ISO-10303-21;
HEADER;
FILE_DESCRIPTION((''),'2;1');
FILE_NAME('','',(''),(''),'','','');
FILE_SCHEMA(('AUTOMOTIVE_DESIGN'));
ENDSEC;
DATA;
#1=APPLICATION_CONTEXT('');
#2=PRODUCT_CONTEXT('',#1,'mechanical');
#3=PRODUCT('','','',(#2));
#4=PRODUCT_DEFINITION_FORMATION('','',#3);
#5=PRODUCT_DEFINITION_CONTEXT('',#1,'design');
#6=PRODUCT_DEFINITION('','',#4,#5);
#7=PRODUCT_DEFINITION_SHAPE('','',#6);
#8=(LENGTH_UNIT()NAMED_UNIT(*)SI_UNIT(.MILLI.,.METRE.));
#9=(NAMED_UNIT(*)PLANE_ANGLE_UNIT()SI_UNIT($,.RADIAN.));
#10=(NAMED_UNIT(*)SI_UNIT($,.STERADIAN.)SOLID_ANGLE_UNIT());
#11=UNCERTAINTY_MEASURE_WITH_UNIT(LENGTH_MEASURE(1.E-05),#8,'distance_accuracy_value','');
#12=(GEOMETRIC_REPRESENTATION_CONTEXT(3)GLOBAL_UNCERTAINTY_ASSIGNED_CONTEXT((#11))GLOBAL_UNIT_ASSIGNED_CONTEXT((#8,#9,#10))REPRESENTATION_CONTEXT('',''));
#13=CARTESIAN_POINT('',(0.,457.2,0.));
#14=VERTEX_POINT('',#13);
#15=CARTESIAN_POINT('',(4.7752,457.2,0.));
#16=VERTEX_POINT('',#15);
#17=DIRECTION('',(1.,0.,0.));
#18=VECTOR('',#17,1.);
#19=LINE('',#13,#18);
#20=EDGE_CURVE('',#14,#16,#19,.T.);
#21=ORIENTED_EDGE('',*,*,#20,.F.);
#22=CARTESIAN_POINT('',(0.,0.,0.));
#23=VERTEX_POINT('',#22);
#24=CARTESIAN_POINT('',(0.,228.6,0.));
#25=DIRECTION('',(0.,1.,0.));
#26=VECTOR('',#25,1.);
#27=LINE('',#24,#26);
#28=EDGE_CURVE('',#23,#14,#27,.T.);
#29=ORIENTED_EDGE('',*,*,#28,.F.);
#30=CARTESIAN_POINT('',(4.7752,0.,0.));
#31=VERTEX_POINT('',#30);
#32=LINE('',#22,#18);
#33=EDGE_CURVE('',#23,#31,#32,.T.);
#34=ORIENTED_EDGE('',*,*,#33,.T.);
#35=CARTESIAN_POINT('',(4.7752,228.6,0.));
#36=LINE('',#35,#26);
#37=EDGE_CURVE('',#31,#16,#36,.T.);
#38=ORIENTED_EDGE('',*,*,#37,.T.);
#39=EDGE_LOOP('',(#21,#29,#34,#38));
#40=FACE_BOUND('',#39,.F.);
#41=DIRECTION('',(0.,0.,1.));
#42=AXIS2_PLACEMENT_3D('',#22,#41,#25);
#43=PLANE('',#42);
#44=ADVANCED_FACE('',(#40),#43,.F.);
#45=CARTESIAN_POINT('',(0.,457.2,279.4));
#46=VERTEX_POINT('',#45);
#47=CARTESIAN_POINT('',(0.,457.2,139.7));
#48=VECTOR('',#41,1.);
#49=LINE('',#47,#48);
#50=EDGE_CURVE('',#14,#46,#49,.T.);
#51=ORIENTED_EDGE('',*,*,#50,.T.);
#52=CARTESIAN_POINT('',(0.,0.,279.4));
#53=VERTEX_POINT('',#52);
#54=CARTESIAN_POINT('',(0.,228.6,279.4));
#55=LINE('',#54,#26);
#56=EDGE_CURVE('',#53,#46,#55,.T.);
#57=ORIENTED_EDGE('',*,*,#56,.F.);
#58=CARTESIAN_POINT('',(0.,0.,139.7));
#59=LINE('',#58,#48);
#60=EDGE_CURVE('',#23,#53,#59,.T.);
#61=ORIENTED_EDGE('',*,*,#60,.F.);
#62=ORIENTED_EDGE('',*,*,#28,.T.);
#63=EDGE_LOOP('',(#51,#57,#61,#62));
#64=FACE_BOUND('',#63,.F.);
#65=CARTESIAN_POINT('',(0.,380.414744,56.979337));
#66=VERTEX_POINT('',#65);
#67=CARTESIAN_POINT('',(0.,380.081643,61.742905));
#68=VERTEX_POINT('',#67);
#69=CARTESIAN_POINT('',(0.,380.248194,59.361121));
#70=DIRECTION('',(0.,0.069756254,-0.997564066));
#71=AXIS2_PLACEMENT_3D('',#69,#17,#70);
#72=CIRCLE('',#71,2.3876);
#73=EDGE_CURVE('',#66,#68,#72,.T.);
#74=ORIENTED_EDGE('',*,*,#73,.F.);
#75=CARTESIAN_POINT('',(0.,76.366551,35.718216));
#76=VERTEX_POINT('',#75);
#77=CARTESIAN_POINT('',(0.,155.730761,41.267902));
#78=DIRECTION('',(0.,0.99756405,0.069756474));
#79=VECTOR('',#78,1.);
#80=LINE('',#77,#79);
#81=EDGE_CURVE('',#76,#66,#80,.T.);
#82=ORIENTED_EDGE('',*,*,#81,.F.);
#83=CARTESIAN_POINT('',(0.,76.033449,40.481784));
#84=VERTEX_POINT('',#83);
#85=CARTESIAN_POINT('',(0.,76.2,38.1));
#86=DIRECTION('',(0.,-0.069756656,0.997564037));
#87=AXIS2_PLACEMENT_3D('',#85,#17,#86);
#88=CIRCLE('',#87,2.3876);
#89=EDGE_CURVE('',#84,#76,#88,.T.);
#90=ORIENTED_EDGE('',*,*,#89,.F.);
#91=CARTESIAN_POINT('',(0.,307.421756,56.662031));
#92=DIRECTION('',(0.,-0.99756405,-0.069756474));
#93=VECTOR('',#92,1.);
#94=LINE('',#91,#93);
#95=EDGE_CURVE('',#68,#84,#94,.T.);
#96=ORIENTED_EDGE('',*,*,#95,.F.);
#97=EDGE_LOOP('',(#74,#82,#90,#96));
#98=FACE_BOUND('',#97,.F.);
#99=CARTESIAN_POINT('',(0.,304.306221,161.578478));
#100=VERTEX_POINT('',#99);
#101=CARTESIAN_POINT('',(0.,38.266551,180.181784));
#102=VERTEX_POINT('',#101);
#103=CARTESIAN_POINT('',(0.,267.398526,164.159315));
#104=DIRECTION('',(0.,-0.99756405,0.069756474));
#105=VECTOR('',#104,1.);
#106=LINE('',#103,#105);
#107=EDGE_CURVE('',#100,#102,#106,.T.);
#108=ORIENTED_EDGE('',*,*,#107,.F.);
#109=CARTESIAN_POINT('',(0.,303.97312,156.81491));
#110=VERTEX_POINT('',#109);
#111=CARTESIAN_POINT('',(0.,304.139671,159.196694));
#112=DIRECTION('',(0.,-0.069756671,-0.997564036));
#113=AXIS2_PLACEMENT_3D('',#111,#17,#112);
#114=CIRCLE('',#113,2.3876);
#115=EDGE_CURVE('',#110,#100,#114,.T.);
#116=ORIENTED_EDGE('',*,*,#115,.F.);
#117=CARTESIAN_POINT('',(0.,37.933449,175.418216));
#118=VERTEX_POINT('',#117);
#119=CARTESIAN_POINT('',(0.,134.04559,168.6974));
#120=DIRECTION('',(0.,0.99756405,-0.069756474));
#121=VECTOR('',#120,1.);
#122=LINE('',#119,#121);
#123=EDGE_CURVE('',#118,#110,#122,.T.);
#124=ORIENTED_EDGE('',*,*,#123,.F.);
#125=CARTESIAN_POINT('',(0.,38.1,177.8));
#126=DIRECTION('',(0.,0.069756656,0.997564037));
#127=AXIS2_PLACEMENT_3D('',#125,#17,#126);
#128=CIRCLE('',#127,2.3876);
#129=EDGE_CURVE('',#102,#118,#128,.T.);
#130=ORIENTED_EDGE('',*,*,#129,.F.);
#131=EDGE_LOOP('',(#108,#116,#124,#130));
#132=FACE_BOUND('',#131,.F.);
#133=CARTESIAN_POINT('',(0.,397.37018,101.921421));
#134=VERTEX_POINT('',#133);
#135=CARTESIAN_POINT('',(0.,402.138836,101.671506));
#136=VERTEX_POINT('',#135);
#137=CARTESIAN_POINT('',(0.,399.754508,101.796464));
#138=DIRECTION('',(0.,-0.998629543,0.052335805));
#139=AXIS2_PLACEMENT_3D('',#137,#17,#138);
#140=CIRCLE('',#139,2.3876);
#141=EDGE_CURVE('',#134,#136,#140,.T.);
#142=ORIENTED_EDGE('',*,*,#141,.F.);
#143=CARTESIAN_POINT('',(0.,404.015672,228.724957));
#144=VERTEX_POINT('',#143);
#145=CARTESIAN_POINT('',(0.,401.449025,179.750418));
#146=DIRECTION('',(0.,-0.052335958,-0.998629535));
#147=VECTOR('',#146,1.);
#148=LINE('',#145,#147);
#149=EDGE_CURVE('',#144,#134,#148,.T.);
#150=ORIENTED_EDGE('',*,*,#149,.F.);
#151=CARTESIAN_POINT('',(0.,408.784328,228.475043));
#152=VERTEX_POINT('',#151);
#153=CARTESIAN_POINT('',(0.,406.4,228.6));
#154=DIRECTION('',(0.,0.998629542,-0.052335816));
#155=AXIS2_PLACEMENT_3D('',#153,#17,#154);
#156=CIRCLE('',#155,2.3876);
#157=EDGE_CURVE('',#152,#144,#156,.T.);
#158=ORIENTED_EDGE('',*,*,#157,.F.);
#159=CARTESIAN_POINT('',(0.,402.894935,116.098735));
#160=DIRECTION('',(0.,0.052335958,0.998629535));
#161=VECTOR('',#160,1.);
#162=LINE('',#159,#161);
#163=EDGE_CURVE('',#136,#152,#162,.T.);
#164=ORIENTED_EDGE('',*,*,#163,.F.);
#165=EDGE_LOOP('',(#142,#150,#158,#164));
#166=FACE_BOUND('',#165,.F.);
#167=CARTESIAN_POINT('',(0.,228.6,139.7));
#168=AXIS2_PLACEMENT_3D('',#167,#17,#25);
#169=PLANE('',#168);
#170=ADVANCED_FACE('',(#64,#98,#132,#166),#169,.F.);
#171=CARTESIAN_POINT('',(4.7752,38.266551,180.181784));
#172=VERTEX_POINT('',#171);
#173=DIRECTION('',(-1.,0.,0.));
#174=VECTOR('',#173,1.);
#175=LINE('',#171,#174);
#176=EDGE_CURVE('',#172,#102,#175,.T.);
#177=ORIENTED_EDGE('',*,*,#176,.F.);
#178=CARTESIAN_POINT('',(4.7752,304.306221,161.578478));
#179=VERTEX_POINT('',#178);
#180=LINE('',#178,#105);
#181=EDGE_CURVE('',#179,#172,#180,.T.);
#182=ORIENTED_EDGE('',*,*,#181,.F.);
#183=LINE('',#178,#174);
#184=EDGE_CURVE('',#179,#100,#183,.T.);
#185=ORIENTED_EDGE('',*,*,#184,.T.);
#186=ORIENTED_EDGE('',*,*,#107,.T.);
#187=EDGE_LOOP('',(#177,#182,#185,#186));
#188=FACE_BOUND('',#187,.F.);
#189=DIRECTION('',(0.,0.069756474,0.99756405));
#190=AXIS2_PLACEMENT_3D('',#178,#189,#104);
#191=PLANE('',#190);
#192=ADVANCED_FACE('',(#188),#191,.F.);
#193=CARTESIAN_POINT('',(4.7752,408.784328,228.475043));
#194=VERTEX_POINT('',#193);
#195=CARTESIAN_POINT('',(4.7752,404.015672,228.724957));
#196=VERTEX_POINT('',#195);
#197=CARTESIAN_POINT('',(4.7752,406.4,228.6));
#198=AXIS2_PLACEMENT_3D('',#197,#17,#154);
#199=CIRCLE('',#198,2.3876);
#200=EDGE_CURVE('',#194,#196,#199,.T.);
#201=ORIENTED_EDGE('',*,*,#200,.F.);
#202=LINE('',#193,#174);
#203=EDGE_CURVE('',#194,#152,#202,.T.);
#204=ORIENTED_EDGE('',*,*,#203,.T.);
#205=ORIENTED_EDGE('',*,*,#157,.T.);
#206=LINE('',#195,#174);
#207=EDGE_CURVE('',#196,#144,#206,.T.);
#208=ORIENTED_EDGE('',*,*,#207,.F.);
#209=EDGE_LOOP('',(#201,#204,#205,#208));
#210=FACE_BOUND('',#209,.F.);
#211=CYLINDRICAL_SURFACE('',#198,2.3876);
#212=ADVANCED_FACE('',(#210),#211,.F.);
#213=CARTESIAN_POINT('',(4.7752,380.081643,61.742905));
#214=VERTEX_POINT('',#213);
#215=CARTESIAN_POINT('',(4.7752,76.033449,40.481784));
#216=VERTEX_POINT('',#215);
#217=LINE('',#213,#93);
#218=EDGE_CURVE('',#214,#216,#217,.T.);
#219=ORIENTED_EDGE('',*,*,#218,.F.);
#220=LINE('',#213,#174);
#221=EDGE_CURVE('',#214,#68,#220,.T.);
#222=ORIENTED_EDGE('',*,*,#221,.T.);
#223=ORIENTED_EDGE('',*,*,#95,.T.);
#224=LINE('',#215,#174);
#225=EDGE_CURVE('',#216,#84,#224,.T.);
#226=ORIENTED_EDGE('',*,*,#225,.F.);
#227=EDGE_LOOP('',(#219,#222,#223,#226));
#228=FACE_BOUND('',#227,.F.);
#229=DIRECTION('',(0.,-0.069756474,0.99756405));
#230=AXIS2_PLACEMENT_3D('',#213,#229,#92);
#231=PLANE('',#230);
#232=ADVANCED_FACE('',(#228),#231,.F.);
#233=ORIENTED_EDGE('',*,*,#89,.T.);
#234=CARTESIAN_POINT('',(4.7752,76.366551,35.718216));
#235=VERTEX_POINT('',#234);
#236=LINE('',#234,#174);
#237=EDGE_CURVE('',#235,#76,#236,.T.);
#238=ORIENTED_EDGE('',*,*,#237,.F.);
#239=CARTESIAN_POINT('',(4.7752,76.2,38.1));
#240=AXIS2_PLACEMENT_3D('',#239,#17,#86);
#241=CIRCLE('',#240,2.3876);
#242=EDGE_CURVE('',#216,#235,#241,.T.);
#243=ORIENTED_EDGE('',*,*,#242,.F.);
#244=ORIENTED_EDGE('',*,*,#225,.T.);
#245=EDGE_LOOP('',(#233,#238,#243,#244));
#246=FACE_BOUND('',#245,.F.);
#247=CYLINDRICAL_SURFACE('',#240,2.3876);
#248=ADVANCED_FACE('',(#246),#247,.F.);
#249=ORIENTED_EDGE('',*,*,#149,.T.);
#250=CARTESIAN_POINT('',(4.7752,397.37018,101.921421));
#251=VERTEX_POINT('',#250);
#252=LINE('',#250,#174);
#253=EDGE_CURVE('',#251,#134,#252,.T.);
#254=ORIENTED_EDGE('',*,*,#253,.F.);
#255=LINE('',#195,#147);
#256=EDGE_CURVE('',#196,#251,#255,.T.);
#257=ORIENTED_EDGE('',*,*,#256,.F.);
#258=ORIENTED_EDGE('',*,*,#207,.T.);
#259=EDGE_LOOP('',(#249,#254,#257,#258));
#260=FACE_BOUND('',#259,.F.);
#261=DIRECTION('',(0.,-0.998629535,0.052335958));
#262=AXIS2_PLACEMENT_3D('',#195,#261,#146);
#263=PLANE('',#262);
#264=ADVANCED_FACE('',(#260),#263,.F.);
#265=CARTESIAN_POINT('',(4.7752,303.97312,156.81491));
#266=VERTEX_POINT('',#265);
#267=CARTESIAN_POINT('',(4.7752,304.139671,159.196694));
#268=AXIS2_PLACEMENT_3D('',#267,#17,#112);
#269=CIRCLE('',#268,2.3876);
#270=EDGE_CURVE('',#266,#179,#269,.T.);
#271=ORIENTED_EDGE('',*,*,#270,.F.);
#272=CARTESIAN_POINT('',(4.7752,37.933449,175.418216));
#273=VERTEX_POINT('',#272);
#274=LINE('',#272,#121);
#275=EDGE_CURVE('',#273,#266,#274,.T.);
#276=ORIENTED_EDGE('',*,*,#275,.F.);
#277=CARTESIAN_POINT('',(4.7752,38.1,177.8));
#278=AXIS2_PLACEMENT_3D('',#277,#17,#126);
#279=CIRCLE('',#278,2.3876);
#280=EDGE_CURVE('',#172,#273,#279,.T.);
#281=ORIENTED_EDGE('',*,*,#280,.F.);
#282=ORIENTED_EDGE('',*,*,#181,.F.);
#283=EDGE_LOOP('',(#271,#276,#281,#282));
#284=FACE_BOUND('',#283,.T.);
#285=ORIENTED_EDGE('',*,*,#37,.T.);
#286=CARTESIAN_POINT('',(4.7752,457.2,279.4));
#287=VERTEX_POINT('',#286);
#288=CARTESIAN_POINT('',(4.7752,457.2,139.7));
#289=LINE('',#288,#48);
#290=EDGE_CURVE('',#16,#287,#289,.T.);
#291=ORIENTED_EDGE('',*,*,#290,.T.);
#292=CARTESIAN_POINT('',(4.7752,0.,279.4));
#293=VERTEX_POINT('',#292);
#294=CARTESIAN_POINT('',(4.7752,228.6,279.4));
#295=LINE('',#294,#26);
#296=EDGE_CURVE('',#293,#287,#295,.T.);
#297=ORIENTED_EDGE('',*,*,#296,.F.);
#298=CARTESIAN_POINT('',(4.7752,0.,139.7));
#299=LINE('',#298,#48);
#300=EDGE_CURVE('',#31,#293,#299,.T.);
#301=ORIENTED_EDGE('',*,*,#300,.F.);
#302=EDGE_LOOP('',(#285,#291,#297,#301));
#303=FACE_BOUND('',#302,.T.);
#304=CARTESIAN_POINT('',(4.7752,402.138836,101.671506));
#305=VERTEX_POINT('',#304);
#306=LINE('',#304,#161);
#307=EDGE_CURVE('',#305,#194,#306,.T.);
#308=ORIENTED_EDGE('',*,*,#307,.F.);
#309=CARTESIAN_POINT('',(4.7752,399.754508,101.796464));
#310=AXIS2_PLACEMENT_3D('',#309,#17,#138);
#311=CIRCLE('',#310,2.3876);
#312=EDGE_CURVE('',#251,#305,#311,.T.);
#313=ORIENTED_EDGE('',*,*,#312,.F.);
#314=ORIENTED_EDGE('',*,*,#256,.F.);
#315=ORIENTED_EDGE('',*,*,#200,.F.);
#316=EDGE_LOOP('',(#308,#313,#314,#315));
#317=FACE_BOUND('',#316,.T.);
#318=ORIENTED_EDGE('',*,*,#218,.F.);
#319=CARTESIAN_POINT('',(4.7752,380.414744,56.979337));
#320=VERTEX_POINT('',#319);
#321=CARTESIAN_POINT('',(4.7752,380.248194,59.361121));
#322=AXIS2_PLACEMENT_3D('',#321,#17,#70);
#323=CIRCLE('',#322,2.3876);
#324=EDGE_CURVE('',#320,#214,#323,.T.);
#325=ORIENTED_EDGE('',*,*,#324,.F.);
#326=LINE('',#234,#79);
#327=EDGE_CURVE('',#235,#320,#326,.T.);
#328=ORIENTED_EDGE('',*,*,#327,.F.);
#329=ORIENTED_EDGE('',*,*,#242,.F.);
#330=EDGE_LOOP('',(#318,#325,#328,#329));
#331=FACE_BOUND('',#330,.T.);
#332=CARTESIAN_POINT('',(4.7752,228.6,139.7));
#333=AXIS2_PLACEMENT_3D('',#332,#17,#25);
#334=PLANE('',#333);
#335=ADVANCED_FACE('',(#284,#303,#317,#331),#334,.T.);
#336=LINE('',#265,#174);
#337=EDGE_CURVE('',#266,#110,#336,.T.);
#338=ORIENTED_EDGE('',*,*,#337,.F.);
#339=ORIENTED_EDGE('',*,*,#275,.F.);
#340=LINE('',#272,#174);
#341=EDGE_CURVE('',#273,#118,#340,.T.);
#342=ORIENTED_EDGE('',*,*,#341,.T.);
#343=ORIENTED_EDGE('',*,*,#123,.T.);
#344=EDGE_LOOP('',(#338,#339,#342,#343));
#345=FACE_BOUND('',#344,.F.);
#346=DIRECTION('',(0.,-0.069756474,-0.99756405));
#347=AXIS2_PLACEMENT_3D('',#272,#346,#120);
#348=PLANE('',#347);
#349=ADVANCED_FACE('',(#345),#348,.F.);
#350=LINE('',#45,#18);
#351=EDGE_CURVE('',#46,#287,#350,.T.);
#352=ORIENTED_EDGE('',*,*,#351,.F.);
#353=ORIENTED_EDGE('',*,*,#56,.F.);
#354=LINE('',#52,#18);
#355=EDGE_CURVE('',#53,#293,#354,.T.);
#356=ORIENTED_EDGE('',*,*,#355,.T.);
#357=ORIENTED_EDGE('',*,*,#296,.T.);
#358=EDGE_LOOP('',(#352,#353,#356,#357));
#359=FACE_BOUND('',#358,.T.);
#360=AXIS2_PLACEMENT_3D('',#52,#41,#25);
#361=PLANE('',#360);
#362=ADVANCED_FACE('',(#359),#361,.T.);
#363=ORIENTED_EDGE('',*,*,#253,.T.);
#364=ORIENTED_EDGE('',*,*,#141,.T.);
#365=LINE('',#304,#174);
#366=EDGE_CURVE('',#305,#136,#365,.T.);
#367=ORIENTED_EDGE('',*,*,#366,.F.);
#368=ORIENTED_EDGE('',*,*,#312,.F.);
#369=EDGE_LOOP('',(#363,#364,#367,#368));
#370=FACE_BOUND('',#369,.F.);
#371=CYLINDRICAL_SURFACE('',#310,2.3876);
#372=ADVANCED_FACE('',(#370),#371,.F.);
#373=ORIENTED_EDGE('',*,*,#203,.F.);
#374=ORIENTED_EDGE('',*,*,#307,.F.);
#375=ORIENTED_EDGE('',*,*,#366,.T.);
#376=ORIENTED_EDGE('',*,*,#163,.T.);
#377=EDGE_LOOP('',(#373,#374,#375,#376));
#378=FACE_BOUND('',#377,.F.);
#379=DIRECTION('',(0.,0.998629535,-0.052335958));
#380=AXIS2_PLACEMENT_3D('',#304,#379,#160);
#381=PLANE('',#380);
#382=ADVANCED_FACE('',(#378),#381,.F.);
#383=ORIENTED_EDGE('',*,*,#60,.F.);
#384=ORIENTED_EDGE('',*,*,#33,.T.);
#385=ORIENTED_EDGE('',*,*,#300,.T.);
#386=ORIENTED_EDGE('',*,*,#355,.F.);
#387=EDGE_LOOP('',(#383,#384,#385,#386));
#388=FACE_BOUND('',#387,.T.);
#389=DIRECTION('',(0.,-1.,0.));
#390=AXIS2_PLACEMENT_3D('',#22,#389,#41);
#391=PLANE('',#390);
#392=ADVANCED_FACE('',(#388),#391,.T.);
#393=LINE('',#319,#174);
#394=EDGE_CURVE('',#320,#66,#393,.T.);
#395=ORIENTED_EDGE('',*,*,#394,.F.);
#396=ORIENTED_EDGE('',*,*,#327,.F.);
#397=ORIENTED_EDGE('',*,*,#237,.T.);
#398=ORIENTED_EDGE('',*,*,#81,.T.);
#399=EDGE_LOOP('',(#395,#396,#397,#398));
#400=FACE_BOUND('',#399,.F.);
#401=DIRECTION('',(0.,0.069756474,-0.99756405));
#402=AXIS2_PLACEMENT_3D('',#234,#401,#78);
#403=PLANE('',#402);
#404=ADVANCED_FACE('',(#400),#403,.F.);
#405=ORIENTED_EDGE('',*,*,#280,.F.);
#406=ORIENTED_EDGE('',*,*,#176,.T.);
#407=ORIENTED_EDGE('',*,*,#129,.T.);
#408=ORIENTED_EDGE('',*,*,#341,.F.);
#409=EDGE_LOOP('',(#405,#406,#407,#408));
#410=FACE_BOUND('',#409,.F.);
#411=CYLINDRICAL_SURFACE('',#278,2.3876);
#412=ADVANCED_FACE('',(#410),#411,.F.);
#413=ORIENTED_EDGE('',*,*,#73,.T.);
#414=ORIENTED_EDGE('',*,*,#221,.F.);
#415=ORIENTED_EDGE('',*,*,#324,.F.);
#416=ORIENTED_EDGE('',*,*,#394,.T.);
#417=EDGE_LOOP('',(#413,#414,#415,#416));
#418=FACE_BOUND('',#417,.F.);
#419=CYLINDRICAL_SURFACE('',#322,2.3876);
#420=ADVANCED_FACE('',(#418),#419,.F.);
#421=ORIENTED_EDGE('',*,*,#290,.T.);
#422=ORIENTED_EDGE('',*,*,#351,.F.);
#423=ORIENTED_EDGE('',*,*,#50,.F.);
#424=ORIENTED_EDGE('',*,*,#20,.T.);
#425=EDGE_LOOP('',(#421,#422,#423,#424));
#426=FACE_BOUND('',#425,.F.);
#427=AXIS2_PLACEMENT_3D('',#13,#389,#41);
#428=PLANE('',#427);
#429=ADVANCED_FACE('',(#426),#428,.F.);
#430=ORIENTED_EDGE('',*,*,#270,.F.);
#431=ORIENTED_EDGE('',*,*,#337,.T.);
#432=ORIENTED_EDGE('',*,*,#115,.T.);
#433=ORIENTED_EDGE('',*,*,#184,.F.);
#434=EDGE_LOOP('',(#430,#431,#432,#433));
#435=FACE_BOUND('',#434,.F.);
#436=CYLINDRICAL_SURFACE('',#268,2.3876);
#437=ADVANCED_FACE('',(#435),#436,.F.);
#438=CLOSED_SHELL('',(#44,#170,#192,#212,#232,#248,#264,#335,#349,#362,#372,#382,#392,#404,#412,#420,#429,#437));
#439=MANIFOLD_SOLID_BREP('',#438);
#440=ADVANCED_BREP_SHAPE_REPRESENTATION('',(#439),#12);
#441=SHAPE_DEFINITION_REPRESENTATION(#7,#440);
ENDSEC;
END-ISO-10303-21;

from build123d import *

# Parameters (mm, degrees)
F0_W     = 457.2
F0_H     = 279.4
F1_DEPTH = 4.7752
F5_DEPTH = 4.7762


with BuildPart() as f1:
    # F0 (on Right) → F1 (new body)
    with BuildSketch(Plane.YZ):
        with Locations((228.6, 139.7)):
            Rectangle(F0_W, F0_H)
    extrude(amount=F1_DEPTH)

    # F4 (on face) + F3 (on face) + F2 (on face) → F5 (cut, through all)
    with BuildSketch(Plane.YZ.offset(4.7752)):
        with BuildLine():
            Line((402.138836, 101.671506), (408.784328, 228.475043))
            ThreePointArc((408.784328, 228.475043), (406.524957, 230.984328), (404.015672, 228.724957))
            Line((404.015672, 228.724957), (397.37018, 101.921421))
            ThreePointArc((397.37018, 101.921421), (399.629551, 99.412136), (402.138836, 101.671506))
        make_face()
    with BuildSketch(Plane.YZ.offset(4.7752)):
        with BuildLine():
            Line((380.081643, 61.742905), (76.033449, 40.481784))
            ThreePointArc((76.033449, 40.481784), (73.818216, 37.933449), (76.366551, 35.718216))
            Line((76.366551, 35.718216), (380.414744, 56.979337))
            ThreePointArc((380.414744, 56.979337), (382.629978, 59.527671), (380.081643, 61.742905))
        make_face()
    with BuildSketch(Plane.YZ.offset(4.7752)):
        with BuildLine():
            Line((304.306221, 161.578478), (38.266551, 180.181784))
            ThreePointArc((38.266551, 180.181784), (35.718216, 177.966551), (37.933449, 175.418216))
            Line((37.933449, 175.418216), (303.97312, 156.81491))
            ThreePointArc((303.97312, 156.81491), (306.521455, 159.030143), (304.306221, 161.578478))
        make_face()
    extrude(amount=-F5_DEPTH, mode=Mode.SUBTRACT)


solid = f1.part
